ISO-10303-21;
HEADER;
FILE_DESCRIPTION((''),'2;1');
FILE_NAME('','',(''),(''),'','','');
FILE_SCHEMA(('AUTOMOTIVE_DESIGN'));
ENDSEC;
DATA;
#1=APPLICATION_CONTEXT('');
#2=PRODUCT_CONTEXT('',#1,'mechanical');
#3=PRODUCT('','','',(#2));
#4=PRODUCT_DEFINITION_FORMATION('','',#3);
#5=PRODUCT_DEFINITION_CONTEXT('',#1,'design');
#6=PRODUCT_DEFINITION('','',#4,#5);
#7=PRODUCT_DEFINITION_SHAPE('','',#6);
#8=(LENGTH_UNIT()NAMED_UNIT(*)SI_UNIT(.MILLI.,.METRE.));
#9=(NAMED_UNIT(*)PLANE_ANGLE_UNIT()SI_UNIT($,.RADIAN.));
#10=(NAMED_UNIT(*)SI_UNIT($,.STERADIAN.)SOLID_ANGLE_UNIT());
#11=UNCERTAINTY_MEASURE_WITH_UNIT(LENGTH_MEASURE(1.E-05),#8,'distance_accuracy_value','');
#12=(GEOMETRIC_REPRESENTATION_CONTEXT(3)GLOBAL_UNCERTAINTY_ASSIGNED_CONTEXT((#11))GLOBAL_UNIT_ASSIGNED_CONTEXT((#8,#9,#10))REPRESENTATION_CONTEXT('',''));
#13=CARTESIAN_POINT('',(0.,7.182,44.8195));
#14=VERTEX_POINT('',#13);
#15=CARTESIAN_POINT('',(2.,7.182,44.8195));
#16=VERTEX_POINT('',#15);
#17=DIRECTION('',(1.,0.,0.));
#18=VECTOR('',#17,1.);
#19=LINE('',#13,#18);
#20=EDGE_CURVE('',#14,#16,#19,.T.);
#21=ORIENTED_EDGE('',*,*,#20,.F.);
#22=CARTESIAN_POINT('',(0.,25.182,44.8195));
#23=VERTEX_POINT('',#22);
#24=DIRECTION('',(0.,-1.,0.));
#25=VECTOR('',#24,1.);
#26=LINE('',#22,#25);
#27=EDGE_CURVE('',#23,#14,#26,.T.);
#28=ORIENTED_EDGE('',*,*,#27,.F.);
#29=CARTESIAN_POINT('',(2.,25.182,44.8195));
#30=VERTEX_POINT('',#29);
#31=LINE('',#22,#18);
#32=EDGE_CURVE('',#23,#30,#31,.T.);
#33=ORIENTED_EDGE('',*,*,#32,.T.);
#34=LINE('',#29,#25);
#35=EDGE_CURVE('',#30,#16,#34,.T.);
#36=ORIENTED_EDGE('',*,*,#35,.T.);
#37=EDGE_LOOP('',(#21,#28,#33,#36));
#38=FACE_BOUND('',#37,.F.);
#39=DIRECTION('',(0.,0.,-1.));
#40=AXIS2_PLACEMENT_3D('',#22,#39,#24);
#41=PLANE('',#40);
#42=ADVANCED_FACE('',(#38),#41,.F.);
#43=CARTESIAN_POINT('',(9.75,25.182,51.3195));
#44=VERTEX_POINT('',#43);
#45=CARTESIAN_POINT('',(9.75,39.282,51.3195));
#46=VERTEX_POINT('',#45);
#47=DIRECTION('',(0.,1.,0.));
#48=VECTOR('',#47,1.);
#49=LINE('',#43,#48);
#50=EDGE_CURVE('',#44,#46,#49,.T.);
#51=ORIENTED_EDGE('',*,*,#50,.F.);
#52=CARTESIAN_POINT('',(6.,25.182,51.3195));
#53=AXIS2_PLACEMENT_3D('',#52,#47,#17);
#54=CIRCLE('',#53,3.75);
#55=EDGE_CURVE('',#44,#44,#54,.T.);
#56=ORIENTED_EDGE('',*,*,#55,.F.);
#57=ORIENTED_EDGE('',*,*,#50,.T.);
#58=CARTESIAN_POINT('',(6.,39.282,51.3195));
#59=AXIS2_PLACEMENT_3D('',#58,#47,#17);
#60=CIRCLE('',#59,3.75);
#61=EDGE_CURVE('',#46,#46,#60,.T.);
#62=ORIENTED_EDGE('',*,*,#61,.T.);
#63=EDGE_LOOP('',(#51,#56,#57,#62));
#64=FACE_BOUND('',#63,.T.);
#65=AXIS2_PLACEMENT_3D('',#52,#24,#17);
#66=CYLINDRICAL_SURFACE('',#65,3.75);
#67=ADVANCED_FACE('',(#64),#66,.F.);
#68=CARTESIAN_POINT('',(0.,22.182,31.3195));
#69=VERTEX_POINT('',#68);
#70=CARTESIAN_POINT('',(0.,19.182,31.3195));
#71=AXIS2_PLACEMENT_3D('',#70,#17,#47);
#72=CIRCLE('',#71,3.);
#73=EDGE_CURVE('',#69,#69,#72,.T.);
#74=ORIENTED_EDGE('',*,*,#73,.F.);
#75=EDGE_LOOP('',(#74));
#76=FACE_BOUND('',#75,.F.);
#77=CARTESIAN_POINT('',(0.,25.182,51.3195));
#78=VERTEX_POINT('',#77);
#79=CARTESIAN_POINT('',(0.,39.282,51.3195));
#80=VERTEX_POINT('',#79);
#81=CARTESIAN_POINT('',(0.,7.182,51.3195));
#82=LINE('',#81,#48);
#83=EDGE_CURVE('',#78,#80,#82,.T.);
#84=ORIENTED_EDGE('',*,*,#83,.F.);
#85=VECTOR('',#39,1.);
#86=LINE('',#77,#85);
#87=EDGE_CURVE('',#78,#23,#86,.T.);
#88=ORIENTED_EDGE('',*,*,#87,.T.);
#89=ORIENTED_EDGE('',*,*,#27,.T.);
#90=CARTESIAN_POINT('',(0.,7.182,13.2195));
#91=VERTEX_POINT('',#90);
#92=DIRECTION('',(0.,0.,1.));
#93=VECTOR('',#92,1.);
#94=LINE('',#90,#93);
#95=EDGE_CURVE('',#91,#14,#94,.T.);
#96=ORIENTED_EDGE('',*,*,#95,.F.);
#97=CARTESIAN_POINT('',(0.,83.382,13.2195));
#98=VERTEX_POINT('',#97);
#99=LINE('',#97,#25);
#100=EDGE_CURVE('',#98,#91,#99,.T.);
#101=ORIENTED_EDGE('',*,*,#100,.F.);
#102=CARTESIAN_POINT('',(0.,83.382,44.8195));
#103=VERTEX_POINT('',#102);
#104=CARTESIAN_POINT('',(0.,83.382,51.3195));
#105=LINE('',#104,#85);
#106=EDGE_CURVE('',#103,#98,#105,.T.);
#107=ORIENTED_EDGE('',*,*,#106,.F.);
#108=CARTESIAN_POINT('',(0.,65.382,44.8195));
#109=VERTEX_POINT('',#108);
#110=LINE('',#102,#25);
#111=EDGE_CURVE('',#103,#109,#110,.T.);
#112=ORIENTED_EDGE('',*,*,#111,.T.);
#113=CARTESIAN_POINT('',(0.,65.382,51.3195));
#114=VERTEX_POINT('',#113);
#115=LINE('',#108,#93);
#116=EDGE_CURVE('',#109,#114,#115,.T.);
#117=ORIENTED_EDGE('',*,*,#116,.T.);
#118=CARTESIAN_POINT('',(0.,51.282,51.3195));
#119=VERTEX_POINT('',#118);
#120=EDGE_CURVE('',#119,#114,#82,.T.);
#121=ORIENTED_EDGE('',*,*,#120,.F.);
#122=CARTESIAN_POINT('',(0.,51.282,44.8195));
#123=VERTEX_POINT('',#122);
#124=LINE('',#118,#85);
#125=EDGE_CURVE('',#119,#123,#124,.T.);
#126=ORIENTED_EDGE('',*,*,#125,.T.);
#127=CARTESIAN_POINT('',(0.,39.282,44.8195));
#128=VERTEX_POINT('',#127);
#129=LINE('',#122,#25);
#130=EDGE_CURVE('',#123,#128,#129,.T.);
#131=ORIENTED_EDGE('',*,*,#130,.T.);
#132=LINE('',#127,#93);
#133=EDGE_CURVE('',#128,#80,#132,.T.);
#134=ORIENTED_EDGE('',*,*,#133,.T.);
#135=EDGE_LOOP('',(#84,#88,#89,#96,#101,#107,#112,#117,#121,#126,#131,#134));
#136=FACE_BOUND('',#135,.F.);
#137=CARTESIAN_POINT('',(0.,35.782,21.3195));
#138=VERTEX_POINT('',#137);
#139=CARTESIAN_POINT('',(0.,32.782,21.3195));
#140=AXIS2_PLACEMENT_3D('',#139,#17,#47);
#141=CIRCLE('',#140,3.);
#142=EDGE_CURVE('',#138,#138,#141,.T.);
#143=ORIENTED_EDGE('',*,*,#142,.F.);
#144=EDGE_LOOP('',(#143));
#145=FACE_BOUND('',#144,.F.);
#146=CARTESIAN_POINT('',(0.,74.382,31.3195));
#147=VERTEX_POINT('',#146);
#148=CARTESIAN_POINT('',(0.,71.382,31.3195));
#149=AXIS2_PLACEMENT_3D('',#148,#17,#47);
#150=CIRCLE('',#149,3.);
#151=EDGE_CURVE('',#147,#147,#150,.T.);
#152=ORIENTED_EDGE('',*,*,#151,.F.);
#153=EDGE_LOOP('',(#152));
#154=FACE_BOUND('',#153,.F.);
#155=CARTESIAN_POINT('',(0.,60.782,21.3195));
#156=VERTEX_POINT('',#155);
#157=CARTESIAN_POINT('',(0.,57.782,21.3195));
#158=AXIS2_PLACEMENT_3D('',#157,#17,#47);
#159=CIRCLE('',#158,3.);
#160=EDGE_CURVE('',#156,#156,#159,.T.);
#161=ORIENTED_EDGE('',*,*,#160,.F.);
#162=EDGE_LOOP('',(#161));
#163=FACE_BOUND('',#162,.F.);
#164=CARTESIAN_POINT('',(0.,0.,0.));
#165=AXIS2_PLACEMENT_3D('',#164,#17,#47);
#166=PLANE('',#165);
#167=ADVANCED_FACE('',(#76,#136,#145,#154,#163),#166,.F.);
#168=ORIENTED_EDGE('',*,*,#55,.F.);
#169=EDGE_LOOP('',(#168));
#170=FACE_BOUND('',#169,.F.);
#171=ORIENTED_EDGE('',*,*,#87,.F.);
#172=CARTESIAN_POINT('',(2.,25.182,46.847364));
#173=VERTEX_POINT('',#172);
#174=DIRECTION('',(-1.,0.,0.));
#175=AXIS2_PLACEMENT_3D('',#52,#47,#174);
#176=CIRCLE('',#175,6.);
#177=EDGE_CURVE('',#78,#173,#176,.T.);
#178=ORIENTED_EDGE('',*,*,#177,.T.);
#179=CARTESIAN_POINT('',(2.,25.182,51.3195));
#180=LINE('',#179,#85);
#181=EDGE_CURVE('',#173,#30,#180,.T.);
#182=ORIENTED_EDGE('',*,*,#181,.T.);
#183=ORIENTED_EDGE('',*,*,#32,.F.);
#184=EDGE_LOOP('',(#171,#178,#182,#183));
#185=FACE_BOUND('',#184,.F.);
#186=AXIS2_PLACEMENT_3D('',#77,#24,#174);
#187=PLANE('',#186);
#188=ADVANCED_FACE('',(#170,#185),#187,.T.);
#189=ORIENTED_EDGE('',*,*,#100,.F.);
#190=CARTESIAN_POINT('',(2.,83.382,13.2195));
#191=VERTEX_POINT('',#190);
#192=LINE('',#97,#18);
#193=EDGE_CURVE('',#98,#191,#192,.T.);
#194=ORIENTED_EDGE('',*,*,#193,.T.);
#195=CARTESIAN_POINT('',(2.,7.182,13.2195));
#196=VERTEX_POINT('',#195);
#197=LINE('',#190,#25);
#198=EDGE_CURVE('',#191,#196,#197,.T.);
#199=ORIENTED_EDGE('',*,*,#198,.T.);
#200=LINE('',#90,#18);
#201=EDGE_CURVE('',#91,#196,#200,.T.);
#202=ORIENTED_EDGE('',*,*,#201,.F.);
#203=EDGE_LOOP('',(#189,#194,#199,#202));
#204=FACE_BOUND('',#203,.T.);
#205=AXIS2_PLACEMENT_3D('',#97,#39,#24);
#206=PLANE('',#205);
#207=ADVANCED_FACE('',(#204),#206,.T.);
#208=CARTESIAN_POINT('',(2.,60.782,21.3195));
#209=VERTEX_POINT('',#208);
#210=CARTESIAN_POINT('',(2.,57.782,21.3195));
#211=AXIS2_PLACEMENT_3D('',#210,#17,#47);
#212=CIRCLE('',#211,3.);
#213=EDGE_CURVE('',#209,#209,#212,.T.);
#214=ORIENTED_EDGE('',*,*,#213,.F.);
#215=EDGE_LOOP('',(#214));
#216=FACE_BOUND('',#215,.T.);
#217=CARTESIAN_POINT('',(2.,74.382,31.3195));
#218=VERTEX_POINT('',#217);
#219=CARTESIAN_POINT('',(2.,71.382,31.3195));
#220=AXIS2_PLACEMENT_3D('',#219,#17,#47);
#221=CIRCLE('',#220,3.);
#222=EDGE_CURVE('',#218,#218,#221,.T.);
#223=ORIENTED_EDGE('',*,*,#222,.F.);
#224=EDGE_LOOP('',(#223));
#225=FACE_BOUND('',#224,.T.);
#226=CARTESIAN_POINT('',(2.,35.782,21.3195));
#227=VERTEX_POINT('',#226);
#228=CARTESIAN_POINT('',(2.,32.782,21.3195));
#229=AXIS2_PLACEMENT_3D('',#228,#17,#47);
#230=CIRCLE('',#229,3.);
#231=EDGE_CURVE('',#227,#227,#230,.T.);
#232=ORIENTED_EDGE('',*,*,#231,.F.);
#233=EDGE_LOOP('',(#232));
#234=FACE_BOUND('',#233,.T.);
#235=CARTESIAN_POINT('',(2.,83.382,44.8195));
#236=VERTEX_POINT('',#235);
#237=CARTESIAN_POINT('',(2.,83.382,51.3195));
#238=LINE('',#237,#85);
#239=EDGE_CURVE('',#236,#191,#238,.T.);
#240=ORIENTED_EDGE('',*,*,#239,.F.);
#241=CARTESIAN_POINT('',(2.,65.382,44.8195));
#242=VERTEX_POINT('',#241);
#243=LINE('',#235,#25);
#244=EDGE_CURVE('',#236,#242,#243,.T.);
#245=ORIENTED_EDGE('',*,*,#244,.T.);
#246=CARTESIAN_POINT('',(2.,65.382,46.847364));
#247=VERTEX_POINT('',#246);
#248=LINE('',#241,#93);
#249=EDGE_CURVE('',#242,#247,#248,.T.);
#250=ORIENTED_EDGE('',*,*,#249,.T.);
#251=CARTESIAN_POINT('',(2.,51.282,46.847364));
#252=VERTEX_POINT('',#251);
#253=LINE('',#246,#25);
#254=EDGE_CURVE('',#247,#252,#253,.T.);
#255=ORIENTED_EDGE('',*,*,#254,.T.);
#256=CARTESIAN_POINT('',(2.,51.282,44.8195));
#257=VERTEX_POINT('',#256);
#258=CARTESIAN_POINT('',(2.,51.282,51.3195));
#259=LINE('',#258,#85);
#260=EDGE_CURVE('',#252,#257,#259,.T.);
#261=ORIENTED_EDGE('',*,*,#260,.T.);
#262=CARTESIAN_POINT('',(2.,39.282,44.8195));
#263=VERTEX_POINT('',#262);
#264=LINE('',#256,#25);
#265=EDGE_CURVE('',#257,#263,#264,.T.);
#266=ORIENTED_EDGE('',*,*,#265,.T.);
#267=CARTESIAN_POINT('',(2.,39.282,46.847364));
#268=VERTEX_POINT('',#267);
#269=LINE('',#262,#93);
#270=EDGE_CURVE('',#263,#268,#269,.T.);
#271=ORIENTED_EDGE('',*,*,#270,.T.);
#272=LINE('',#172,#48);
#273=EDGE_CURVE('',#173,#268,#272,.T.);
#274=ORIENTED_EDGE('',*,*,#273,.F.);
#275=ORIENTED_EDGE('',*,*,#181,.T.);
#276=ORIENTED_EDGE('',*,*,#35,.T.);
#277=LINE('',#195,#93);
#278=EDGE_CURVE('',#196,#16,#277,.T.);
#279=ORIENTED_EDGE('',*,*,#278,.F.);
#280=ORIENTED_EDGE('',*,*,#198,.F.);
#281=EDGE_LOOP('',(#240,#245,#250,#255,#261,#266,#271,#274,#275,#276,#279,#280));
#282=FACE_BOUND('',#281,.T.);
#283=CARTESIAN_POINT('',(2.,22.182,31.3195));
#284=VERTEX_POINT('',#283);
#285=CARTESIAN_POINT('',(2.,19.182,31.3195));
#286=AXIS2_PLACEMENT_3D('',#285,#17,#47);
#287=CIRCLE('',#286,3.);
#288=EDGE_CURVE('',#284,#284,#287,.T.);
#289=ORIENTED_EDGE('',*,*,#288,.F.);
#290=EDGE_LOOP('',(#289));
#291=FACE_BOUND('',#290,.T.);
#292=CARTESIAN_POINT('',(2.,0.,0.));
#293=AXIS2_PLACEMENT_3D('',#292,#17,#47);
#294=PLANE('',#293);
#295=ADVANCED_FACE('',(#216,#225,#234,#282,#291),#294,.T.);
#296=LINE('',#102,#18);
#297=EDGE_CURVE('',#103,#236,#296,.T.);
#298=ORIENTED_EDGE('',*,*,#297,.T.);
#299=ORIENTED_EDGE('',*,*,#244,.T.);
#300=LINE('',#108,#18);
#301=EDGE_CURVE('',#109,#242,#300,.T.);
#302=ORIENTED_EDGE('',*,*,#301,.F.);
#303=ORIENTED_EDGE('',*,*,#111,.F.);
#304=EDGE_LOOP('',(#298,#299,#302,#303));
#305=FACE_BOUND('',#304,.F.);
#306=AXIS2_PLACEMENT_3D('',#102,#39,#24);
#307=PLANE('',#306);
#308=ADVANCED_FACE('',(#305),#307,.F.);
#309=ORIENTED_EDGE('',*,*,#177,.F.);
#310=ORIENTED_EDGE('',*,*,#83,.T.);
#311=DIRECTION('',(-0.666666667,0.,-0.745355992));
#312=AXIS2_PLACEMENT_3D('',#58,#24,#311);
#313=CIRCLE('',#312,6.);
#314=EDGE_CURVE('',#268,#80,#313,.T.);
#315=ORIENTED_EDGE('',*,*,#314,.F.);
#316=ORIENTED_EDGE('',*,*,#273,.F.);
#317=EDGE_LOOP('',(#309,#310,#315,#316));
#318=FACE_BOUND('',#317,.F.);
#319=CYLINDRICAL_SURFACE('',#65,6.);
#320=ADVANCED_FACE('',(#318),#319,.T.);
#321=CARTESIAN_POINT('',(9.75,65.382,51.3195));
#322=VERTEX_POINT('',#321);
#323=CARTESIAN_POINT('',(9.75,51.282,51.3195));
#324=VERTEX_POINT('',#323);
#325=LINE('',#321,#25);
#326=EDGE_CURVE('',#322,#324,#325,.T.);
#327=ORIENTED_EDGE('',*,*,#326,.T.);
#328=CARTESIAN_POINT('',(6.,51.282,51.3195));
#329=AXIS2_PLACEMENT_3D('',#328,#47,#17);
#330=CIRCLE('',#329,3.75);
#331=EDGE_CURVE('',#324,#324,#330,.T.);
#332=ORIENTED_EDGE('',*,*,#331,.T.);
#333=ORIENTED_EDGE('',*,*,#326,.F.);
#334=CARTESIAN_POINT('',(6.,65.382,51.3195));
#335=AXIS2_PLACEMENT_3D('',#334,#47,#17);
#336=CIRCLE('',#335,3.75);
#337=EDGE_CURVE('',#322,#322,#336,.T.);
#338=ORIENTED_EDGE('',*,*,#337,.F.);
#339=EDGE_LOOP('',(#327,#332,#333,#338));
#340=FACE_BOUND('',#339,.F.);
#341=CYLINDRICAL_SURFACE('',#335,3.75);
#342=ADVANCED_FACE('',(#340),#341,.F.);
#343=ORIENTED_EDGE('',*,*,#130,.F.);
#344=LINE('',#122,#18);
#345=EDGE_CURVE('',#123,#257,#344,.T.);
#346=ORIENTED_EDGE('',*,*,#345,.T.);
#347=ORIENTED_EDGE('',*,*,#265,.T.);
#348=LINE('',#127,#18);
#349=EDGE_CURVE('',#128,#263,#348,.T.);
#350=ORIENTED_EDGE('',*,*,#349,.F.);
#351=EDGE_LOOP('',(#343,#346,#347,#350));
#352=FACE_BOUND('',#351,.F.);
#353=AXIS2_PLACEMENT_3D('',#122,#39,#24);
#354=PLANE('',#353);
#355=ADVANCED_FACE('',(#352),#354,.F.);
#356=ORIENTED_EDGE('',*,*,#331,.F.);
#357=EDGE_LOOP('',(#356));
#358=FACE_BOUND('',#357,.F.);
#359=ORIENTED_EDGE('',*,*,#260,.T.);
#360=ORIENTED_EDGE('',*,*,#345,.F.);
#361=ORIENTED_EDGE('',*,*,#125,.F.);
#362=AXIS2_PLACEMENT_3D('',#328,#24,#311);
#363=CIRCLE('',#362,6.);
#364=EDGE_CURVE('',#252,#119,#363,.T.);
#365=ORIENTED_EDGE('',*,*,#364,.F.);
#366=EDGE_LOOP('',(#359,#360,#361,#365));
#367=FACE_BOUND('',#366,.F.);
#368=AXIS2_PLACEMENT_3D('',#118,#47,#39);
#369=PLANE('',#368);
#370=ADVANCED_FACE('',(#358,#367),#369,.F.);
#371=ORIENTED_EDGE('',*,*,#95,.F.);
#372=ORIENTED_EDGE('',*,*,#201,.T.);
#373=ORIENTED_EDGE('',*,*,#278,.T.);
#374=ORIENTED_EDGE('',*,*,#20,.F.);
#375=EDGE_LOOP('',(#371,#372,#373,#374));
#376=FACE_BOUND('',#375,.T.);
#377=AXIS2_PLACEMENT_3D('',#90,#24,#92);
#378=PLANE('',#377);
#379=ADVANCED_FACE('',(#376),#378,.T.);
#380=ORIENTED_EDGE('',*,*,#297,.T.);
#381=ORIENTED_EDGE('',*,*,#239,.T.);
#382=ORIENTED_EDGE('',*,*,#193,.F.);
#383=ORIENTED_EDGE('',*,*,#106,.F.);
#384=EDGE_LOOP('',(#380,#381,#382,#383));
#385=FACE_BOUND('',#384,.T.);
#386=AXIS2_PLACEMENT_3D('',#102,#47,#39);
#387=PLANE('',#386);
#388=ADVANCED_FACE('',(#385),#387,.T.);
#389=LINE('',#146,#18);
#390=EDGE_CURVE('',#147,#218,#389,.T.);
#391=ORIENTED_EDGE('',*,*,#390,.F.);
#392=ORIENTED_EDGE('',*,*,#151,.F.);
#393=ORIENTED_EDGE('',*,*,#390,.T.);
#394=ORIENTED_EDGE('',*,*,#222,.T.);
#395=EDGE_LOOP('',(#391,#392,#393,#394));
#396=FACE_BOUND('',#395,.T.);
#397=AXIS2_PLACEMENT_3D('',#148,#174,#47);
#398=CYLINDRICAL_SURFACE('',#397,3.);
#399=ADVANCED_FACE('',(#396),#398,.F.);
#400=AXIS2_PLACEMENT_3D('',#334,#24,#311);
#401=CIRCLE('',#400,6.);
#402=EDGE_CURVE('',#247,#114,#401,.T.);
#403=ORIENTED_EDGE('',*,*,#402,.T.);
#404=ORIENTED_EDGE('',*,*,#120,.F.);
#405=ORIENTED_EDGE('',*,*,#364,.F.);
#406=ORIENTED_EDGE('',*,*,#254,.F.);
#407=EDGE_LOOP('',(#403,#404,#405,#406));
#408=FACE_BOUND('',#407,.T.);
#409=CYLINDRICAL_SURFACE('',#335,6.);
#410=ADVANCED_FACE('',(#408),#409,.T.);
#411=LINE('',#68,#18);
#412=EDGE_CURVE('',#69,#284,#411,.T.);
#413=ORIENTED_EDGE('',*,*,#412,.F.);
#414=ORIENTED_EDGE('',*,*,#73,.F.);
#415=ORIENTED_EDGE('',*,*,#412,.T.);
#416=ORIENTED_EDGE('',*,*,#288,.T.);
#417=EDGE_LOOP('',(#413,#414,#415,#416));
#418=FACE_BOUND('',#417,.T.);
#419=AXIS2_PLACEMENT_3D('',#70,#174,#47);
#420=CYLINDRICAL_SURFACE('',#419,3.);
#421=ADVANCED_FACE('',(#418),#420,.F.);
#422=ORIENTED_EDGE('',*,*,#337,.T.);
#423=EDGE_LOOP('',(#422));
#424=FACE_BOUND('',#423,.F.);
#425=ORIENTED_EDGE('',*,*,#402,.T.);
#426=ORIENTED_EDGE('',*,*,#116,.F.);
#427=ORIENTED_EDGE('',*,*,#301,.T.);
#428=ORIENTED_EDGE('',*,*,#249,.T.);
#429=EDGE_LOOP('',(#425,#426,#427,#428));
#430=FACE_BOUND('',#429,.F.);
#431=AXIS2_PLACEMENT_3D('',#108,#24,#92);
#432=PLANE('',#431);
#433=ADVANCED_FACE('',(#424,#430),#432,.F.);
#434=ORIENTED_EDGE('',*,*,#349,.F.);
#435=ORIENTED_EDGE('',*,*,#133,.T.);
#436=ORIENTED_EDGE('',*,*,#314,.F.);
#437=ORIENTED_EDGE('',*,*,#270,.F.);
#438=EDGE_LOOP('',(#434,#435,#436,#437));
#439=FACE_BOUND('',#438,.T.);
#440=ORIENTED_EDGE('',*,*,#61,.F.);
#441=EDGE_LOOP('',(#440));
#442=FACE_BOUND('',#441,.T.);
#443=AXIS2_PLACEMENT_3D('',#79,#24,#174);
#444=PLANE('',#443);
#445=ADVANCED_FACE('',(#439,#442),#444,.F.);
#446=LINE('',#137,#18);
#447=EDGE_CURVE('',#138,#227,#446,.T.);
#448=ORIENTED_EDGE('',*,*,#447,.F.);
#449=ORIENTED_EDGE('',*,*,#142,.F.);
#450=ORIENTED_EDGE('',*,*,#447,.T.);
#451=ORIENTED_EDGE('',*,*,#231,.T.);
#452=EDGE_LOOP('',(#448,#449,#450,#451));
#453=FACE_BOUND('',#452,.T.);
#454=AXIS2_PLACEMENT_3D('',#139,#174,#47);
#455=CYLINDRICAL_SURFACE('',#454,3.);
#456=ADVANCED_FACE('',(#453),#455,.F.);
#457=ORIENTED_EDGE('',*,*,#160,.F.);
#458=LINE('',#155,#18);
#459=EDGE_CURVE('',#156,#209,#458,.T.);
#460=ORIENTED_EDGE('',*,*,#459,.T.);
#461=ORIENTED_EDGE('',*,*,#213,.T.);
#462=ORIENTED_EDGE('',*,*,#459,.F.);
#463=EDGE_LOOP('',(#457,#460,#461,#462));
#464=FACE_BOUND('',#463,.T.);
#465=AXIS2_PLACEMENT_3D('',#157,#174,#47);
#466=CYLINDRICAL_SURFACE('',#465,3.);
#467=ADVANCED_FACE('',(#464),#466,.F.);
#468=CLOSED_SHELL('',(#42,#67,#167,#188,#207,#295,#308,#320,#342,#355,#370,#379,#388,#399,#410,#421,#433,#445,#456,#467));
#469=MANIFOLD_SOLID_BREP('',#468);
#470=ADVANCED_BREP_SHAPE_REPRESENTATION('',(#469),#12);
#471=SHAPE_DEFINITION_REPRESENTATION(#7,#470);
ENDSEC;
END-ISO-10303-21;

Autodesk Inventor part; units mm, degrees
ref_plane "YZ Plane" through (0, 0, 0) normal (1, 0, 0) x (0, 1, 0)
ref_plane "XZ Plane" through (0, 0, 0) normal (0, 1, 0) x (-1, 0, 0)
sketch "Sketch1" plane through (0, 0, 0) normal (1, 0, 0) x (0, 1, 0)
  line L0 (7.182, 51.3195) -> (83.382, 51.3195)
  line L1 (83.382, 51.3195) -> (83.382, 13.2195)
  line L2 (83.382, 13.2195) -> (7.182, 13.2195)
  line L3 (7.182, 13.2195) -> (7.182, 51.3195)
  line L4 (39.282, 51.3195) -> (51.282, 51.3195)
  line L5 (51.282, 51.3195) -> (51.282, 44.8195)
  line L6 (51.282, 44.8195) -> (39.282, 44.8195)
  line L7 (39.282, 44.8195) -> (39.282, 51.3195)
  line L8 (45.282, 13.2195) -> (45.282, 51.3195) construction
  line L9 (83.382, 44.8195) -> (65.382, 44.8195)
  line L10 (65.382, 44.8195) -> (65.382, 51.3195)
  line L11 (65.382, 51.3195) -> (83.382, 51.3195)
  line L12 (83.382, 51.3195) -> (83.382, 44.8195)
  line L13 (7.182, 51.3195) -> (25.182, 51.3195)
  line L14 (25.182, 51.3195) -> (25.182, 44.8195)
  line L15 (25.182, 44.8195) -> (7.182, 44.8195)
  line L16 (7.182, 44.8195) -> (7.182, 51.3195)
  circle A0 centre (71.382, 31.3195) radius 3
  circle A1 centre (57.782, 21.3195) radius 3
  circle A2 centre (19.182, 31.3195) radius 3
  circle A3 centre (32.782, 21.3195) radius 3
  point P0 (0, 0)
  point P1 (7.182, 44.8195)
  dimension "d0" = 38.1
  dimension "d1" = 76.2
  dimension "d2" = 12
  dimension "d3" = 6.5
  dimension "d4" = 18
  dimension "d7" = 6
  dimension "d8" = 6
  dimension "d9" = 20
  dimension "d10" = 30
  dimension "d11" = 12.5
  dimension "d12" = 26.1
extrude "Extrusion1" add sketch "Sketch1" along normal blind 2 contours L0 L7 L6 L5 L10 L9 L1 L2 L3 L15 L14
ref_plane "Work Plane1" through (2, 45.282, 44.8195) normal (0, -1, 0) x (1, 0, 0)
sketch "Sketch2" plane through (0, 65.382, 51.3195) normal (0, 1, 0) x (1, 0, 0)
  line L0 (0, 6.5) -> (0, 0) projected
  line L1 (0, 0) -> (2, 0) projected
  line L2 (2, 6.5) -> (2, 0) projected
  line L3 (0, 6.5) -> (2, 6.5) projected
  circle A0 centre (6, 0) radius 6
  circle A1 centre (6, 0) radius 3.75
  point P0 (0, 51.3195)
  point P1 (2, 4.4721)
  dimension "d13" = 12
  dimension "d14" = 7.5
  dimension "d15" = 4
extrude "Extrusion2" add sketch "Sketch2" against normal up to surface (14.1 mm away) contours L1 L2 A0 picked at (11.1556, -0.7778)
mirror "Mirror1" about plane through (2, 45.282, 44.8195) normal (0, -1, 0) of "Extrusion2"
equation "\"d8\" = d7"
properties part number "zawias-prawy" material "Stainless Steel"
